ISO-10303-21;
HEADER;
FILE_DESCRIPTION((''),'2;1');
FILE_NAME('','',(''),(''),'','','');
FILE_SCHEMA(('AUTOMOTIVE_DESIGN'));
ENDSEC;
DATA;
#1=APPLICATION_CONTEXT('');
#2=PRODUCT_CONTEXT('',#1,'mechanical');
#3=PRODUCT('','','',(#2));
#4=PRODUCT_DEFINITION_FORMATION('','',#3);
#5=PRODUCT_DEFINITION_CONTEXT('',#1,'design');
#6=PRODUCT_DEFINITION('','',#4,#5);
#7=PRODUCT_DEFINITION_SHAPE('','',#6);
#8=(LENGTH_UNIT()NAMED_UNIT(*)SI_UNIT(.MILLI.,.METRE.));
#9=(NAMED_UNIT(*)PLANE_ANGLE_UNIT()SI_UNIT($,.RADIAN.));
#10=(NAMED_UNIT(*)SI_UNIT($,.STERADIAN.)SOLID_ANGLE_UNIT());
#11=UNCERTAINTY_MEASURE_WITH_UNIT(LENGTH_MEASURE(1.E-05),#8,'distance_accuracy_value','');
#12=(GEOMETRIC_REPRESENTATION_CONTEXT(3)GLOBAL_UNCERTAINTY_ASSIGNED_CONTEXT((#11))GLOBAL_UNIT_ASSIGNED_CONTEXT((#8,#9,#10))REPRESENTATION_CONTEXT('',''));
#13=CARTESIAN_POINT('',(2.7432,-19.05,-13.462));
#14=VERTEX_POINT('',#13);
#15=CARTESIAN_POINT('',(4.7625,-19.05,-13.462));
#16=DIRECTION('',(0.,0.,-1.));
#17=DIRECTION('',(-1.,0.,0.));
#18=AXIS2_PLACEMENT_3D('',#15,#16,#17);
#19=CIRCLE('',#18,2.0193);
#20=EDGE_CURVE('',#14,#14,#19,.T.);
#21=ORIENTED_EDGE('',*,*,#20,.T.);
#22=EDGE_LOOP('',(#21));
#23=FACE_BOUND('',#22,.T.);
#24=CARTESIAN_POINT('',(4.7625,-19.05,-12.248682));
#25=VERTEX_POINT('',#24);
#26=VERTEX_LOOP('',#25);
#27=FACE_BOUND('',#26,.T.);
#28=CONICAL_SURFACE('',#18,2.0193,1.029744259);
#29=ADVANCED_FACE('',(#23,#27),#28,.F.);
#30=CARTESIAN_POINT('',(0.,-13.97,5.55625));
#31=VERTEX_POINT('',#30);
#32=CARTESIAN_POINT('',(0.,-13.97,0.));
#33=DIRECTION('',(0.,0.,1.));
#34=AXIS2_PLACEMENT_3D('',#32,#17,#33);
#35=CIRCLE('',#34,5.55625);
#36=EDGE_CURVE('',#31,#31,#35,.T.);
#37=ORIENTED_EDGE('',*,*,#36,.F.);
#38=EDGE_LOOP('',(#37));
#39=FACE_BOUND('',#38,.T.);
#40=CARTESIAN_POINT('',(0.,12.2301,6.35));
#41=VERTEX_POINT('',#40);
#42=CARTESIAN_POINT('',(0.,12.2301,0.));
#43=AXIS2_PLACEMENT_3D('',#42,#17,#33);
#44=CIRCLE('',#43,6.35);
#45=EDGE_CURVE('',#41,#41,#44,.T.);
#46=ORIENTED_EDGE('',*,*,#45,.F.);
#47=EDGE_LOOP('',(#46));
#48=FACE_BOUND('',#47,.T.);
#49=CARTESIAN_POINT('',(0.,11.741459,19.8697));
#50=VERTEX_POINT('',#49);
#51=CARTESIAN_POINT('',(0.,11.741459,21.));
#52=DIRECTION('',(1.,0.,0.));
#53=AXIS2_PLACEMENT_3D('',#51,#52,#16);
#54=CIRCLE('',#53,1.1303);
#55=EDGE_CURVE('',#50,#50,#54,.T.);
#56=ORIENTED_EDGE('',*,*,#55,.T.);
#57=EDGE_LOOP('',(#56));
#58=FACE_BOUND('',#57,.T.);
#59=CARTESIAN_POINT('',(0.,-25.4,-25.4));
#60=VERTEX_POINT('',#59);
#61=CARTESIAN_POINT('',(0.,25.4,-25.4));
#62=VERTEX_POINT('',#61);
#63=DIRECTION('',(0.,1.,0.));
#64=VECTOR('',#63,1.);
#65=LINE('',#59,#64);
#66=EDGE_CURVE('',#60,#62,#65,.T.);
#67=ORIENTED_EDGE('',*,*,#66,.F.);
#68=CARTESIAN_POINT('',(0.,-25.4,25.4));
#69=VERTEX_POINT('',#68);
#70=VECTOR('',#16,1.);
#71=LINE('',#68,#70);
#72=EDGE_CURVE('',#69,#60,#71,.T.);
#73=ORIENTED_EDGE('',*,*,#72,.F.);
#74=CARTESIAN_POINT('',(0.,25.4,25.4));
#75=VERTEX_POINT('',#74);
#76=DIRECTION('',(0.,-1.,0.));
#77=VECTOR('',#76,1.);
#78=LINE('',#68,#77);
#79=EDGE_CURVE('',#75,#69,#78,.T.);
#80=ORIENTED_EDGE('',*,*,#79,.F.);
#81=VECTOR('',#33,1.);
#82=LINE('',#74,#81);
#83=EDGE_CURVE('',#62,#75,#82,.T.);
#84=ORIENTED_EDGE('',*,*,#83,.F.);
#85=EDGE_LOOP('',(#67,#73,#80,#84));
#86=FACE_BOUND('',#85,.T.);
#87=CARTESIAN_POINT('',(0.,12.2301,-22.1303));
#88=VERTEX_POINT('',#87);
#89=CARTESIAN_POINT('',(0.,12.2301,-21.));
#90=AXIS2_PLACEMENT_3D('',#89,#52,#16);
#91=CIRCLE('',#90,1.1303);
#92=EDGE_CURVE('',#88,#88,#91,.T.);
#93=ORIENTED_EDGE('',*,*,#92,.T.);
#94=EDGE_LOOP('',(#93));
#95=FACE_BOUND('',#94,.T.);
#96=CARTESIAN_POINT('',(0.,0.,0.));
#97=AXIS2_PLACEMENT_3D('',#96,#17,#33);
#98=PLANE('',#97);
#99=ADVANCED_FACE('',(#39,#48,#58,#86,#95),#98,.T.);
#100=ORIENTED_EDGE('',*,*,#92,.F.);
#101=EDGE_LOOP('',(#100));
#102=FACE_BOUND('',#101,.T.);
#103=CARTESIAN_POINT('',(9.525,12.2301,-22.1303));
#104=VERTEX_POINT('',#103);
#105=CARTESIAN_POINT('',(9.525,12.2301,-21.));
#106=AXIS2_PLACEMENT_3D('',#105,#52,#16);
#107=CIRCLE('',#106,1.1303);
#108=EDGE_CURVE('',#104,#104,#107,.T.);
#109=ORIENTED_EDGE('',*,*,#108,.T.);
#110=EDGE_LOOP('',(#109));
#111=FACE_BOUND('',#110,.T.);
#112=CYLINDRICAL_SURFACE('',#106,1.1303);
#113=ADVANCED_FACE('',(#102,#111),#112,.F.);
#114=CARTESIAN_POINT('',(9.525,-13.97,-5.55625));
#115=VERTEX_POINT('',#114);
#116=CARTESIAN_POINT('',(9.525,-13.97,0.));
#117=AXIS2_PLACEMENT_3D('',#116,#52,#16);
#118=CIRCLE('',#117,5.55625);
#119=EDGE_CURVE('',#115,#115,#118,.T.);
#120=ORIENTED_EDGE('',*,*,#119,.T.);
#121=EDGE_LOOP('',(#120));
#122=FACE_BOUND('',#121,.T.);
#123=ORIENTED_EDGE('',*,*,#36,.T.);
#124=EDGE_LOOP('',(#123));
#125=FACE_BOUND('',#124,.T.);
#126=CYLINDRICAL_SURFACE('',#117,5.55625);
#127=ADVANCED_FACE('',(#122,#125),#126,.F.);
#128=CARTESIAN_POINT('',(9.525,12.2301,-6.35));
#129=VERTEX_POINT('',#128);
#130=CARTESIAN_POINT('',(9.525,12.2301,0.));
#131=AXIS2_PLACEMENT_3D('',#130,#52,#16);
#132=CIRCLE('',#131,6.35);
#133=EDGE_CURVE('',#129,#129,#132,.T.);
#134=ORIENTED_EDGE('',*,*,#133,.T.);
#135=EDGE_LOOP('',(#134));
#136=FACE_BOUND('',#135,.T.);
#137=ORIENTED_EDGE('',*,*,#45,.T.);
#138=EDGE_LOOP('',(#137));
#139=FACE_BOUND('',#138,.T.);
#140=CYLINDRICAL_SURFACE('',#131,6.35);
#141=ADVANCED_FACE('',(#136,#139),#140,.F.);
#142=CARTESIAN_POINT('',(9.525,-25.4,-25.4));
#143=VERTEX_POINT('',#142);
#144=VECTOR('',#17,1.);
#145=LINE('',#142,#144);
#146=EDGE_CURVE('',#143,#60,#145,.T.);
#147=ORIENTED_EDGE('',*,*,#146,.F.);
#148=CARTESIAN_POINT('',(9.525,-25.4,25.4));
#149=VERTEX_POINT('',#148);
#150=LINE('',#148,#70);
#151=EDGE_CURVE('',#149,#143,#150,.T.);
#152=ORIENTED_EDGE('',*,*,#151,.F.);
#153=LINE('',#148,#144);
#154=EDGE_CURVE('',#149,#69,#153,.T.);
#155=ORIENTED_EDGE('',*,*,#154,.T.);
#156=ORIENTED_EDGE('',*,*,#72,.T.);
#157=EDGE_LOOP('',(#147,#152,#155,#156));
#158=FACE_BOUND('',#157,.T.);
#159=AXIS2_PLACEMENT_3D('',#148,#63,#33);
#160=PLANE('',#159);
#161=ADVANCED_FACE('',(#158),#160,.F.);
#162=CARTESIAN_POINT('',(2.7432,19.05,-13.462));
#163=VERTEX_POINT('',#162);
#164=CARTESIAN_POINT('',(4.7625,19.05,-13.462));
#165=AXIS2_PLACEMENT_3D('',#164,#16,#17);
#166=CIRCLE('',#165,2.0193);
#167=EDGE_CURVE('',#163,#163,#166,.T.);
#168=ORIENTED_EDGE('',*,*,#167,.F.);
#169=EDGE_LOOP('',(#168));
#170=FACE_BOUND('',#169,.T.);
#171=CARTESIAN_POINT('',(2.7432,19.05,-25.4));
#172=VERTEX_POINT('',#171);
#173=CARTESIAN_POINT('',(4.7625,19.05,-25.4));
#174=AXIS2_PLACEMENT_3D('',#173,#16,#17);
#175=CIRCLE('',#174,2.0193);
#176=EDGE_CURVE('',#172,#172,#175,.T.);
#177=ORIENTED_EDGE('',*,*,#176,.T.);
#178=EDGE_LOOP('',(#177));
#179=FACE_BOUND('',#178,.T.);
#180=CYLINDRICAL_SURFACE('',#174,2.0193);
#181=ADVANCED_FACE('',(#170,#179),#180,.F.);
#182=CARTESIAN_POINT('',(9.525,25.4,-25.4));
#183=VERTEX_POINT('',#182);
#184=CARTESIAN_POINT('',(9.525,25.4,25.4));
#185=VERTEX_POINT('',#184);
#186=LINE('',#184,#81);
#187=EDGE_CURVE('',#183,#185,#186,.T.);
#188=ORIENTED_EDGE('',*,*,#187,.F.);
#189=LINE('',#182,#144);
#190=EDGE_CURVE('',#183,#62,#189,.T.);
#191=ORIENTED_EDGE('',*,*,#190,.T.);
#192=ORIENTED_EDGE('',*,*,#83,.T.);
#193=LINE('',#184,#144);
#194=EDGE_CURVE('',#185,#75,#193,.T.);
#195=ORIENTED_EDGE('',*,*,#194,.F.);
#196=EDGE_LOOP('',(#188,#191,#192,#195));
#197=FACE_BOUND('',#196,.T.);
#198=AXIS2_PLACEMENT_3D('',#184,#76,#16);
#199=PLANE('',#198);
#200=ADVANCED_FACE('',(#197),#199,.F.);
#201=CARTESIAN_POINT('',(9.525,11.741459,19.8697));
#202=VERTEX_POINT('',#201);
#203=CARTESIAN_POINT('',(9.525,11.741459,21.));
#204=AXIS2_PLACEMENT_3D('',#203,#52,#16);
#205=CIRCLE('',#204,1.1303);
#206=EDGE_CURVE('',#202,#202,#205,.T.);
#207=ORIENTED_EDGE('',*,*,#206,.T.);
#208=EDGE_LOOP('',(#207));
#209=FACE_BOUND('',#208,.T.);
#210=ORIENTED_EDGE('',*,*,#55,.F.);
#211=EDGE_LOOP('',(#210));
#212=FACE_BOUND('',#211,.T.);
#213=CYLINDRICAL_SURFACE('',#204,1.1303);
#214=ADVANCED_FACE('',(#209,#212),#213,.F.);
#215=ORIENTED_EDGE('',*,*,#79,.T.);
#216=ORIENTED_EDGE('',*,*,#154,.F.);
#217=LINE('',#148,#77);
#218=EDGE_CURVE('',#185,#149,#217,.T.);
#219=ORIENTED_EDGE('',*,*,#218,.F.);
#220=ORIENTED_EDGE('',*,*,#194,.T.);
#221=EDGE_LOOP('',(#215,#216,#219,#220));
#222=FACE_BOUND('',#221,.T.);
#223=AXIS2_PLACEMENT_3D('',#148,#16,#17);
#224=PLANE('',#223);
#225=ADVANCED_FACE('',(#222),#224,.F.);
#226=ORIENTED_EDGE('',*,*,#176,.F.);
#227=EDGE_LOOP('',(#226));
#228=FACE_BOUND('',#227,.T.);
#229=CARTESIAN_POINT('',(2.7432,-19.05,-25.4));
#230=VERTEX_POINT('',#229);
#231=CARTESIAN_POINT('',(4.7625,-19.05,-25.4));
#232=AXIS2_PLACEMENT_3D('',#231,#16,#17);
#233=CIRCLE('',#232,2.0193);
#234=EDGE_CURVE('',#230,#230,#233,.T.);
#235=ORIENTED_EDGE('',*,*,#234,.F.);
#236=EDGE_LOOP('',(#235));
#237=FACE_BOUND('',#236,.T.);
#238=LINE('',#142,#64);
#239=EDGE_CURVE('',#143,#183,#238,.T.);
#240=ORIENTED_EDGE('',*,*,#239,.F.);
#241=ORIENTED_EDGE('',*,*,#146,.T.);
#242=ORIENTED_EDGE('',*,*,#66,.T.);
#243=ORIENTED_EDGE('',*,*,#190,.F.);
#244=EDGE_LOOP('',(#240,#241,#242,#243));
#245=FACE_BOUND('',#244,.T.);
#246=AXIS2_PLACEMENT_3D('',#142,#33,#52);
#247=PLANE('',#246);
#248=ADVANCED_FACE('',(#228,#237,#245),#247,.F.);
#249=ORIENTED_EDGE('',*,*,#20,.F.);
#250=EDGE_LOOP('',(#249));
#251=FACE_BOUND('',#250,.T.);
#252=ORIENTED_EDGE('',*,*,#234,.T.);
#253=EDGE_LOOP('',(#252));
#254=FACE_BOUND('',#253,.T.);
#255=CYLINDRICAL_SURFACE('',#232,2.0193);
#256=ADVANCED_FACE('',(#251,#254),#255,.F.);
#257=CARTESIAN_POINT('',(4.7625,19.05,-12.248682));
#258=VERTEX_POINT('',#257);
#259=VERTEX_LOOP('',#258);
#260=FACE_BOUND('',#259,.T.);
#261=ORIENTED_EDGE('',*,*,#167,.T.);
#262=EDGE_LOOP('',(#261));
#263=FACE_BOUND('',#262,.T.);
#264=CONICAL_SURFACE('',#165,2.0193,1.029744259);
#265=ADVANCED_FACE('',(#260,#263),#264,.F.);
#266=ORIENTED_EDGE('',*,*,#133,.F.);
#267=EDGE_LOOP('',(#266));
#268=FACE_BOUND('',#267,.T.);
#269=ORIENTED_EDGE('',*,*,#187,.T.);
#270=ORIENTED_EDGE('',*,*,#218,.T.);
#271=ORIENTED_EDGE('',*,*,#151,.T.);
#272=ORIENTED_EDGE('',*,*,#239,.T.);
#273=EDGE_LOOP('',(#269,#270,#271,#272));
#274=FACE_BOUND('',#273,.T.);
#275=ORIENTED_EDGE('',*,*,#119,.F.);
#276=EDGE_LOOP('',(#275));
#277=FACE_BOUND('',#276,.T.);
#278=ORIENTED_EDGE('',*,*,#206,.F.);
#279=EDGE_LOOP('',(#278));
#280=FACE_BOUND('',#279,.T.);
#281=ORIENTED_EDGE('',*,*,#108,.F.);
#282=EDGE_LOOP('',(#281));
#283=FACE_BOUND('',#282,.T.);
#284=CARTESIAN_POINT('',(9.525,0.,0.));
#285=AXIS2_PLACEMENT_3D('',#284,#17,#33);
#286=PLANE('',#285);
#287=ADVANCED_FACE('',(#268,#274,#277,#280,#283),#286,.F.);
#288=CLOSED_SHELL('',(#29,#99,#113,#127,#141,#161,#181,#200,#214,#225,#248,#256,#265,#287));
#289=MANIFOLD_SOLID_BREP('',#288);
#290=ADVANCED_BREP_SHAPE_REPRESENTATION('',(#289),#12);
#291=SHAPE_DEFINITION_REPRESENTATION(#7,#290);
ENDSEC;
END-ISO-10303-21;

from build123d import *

# Parameters (mm, degrees)
SKETCH1_W                          = 50.8
SKETCH1_H                          = 50.8
BOSS_EXTRUDE1_DEPTH                = 9.525
F_7_16_0_4375_DIAMETER_HOLE1_D     = 11.1125
F_7_16_0_4375_DIAMETER_HOLE1_DEPTH = 70.104
F_7_16_0_4375_DIAMETER_HOLE1_TIP   = 3.338531814
F_1_2_0_5_DIAMETER_HOLE2_D         = 12.7
F_1_2_0_5_DIAMETER_HOLE2_DEPTH     = 70.104
F_1_2_0_5_DIAMETER_HOLE2_TIP       = 3.815464931
F_4_40_TAPPED_HOLE1_D              = 2.2606
F_10_32_TAPPED_HOLE1_D             = 4.0386
F_10_32_TAPPED_HOLE1_DEPTH         = 11.938
F_10_32_TAPPED_HOLE1_TIP           = 1.213317848


with BuildPart() as part:
    # Sketch1 → Boss-Extrude1 (new body)
    with BuildSketch(Plane(origin=(0, 0, 0), x_dir=(0, 0, -1), z_dir=(1, 0, 0))):
        Rectangle(SKETCH1_W, SKETCH1_H)
    extrude(amount=BOSS_EXTRUDE1_DEPTH)

    # 7/16 (0.4375) Diameter Hole1
    with Locations(Plane(origin=(9.525, 0, 0), x_dir=(0, 0, -1), z_dir=(1, 0, 0))):
        with Locations((0, -13.97)):
            Hole(F_7_16_0_4375_DIAMETER_HOLE1_D / 2, depth=F_7_16_0_4375_DIAMETER_HOLE1_DEPTH)
            with Locations((0, 0, -(F_7_16_0_4375_DIAMETER_HOLE1_DEPTH + F_7_16_0_4375_DIAMETER_HOLE1_TIP / 2))):  # 118° drill point
                Cone(0, F_7_16_0_4375_DIAMETER_HOLE1_D / 2, F_7_16_0_4375_DIAMETER_HOLE1_TIP, mode=Mode.SUBTRACT)

    # 1/2 (0.5) Diameter Hole2
    with Locations(Plane(origin=(9.525, 0, 0), x_dir=(0, 0, -1), z_dir=(1, 0, 0))):
        with Locations((0, 12.2301)):
            Hole(F_1_2_0_5_DIAMETER_HOLE2_D / 2, depth=F_1_2_0_5_DIAMETER_HOLE2_DEPTH)
            with Locations((0, 0, -(F_1_2_0_5_DIAMETER_HOLE2_DEPTH + F_1_2_0_5_DIAMETER_HOLE2_TIP / 2))):  # 118° drill point
                Cone(0, F_1_2_0_5_DIAMETER_HOLE2_D / 2, F_1_2_0_5_DIAMETER_HOLE2_TIP, mode=Mode.SUBTRACT)

    # #4-40 Tapped Hole1 (through all)
    with Locations(Plane(origin=(9.525, 0, 0), x_dir=(0, 0, -1), z_dir=(1, 0, 0))):
        with Locations((21, 12.2301), (-21, 11.74145915)):
            Hole(F_4_40_TAPPED_HOLE1_D / 2)

    # #10-32 Tapped Hole1
    with Locations(Plane(origin=(-0.669296778, 7.980106856, -25.4), x_dir=(-1, 0, 0), z_dir=(0, 0, -1))):
        with Locations((-5.431796778, -27.030106856), (-5.431796778, 11.069893144)):
            Hole(F_10_32_TAPPED_HOLE1_D / 2, depth=F_10_32_TAPPED_HOLE1_DEPTH)
            with Locations((0, 0, -(F_10_32_TAPPED_HOLE1_DEPTH + F_10_32_TAPPED_HOLE1_TIP / 2))):  # 118° drill point
                Cone(0, F_10_32_TAPPED_HOLE1_D / 2, F_10_32_TAPPED_HOLE1_TIP, mode=Mode.SUBTRACT)


solid = part.part
